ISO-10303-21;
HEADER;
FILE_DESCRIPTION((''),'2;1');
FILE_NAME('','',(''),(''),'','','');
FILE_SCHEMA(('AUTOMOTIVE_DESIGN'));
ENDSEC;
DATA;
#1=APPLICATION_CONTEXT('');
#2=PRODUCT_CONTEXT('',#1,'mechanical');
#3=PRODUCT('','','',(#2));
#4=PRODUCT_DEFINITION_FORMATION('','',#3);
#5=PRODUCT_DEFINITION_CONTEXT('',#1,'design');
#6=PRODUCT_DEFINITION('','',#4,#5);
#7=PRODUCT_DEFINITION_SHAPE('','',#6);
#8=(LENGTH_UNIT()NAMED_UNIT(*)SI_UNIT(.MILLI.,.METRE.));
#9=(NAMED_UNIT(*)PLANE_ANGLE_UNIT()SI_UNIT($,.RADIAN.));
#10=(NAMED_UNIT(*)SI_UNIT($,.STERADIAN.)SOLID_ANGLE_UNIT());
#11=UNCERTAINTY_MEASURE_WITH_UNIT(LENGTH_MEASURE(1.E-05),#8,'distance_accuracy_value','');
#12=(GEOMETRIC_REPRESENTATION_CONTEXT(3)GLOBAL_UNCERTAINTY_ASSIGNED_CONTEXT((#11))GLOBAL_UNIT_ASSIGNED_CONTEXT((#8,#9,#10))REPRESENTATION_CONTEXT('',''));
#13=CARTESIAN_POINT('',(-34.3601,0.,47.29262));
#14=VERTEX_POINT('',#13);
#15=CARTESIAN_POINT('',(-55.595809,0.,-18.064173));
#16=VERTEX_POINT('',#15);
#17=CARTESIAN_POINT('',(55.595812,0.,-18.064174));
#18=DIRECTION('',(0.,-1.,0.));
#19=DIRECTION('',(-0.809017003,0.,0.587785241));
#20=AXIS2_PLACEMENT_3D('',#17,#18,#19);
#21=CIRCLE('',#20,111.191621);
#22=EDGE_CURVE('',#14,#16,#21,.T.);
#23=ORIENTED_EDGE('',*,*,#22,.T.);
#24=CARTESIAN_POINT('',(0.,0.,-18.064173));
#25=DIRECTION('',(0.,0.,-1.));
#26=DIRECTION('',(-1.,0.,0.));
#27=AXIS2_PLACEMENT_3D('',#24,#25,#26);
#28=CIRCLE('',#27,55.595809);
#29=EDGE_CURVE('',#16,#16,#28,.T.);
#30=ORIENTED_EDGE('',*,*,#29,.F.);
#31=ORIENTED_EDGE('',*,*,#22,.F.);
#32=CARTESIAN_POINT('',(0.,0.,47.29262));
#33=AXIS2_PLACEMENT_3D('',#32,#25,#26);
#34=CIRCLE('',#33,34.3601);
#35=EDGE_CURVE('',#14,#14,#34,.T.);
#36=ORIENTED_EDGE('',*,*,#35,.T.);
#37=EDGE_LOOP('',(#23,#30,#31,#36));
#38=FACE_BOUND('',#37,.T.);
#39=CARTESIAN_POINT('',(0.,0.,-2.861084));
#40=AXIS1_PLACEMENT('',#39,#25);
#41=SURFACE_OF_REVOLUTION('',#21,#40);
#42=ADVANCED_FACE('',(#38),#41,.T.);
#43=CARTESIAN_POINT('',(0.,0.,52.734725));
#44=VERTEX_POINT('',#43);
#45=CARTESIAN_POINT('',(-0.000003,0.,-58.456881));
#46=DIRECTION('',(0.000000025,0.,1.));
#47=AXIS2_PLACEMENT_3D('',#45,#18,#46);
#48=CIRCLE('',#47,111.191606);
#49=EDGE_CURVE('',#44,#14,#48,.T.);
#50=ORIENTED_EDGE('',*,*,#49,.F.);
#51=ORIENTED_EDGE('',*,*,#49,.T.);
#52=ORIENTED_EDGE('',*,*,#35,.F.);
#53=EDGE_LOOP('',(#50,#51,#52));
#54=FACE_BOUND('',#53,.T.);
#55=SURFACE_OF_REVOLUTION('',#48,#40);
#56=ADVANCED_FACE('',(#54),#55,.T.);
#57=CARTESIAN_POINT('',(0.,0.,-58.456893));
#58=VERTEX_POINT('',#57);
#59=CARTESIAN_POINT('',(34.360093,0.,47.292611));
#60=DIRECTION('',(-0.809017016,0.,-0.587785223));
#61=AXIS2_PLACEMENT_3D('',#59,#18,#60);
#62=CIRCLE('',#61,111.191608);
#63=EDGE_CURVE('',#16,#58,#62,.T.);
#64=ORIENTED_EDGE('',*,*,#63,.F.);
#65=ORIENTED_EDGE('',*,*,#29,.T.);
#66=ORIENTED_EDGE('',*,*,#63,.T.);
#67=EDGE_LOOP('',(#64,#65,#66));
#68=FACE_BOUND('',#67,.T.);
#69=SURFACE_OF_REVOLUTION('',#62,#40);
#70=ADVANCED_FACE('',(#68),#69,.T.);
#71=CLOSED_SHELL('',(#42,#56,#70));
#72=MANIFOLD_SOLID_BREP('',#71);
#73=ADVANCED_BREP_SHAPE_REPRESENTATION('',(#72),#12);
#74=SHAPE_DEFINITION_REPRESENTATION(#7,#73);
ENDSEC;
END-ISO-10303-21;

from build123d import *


with BuildPart() as f1:
    # F0 (on Front) → F1 (revolve)
    with BuildSketch(Plane.XZ):
        with BuildLine():
            ThreePointArc((-34.3601, 47.29262), (-50.153704, 16.295926), (-55.595809, -18.064173))
            ThreePointArc((-55.595809, -18.064173), (-30.996694, -42.663289), (0, -58.456893))
            Line((0, -58.456893), (0, 52.734725))
            ThreePointArc((0, 52.734725), (-17.394201, 51.365772), (-34.3601, 47.29262))
        make_face()
    revolve(axis=Axis((0, 0, -2.861084), (0, 0, -1)))


solid = f1.part
